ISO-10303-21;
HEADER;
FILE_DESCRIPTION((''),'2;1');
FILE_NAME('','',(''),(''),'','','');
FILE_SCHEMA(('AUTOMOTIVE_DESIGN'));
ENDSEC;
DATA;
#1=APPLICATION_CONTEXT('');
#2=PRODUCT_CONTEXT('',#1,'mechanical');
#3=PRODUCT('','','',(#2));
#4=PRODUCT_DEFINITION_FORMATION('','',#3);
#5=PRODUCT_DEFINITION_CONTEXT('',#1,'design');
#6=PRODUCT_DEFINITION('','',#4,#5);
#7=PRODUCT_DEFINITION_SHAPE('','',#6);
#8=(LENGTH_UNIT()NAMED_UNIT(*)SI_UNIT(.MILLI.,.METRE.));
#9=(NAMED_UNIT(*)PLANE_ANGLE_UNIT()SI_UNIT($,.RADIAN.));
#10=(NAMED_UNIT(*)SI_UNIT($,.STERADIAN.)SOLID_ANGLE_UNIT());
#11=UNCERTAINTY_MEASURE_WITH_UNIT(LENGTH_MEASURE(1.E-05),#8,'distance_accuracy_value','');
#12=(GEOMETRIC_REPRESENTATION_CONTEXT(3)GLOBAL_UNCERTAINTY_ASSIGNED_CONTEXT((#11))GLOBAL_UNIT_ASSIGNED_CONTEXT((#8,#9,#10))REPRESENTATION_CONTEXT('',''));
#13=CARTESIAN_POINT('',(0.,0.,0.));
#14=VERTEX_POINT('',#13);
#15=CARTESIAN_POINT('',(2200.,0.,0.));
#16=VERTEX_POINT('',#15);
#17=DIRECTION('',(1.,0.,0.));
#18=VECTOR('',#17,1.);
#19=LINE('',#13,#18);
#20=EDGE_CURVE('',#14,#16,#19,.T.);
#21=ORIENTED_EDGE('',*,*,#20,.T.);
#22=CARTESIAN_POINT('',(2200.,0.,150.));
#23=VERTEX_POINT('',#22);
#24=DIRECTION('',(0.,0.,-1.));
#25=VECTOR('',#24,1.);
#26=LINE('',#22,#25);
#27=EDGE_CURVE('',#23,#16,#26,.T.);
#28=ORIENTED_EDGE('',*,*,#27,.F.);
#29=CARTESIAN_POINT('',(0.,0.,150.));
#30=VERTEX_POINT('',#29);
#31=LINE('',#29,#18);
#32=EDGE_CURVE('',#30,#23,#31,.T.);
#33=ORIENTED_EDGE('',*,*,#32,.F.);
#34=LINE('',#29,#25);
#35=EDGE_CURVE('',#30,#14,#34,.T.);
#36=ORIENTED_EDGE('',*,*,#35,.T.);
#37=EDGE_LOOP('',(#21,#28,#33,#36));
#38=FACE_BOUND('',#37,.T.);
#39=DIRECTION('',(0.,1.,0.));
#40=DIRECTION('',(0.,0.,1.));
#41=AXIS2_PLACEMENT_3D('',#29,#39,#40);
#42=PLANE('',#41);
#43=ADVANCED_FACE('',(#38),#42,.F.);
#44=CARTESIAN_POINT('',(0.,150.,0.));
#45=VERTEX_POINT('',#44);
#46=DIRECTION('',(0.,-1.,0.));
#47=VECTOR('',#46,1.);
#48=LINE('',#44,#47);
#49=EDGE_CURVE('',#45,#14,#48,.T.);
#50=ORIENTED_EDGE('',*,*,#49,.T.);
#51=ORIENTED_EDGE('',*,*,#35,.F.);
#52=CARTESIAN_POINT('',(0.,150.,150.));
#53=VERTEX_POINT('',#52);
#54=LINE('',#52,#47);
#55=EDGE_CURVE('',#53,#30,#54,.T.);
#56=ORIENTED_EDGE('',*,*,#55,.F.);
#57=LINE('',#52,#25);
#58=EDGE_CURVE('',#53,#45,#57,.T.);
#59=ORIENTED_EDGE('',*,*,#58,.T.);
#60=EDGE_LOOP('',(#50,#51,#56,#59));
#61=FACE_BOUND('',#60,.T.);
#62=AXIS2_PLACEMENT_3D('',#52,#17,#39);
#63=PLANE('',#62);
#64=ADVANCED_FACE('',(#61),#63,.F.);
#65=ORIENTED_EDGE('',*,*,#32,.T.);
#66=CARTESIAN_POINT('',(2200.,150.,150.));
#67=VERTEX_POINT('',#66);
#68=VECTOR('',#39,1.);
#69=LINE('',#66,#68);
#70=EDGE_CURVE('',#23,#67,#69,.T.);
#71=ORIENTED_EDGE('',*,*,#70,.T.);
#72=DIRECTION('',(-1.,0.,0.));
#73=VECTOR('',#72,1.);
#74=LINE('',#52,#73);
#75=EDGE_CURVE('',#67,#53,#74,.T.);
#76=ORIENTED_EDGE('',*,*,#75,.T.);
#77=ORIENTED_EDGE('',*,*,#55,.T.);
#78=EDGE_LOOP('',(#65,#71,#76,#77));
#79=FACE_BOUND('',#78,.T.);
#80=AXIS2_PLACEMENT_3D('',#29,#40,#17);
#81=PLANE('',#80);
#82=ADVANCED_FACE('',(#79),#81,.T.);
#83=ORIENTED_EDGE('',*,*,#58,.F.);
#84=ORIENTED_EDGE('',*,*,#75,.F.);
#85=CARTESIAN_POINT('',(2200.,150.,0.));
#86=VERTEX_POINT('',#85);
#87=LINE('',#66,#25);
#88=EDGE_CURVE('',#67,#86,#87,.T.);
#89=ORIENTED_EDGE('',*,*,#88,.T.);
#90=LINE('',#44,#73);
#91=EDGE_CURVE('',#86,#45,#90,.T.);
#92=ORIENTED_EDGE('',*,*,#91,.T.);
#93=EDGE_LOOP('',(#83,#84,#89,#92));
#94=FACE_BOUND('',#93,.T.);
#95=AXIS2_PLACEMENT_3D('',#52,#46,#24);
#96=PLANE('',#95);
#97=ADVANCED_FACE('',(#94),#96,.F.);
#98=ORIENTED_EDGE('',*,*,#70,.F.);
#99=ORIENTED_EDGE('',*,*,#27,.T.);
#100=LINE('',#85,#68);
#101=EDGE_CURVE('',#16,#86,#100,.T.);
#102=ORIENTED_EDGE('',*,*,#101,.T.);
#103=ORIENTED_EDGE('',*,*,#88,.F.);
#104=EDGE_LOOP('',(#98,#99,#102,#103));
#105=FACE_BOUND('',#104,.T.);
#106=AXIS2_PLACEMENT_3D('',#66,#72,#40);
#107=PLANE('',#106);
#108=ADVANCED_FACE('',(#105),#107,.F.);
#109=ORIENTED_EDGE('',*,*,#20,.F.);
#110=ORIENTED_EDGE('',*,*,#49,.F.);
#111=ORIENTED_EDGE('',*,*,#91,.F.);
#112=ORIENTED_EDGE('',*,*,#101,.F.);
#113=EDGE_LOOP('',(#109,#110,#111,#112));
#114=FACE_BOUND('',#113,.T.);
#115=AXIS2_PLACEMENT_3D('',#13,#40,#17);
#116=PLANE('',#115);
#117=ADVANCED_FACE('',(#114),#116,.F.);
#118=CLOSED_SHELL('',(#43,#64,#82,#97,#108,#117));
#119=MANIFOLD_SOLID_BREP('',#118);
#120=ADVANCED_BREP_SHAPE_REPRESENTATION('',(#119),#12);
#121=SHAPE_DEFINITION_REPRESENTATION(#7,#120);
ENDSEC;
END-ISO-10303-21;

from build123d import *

# Parameters (mm, degrees)
SKETCH_1_W        = 2200
SKETCH_1_H        = 150
EXTRUDE_303_DEPTH = 150


with BuildPart() as part:
    # 草图1 → Extrude 303 (new body)
    with BuildSketch(Plane.XY):
        with Locations((1100, 75)):
            Rectangle(SKETCH_1_W, SKETCH_1_H)
    extrude(amount=EXTRUDE_303_DEPTH)


solid = part.part
